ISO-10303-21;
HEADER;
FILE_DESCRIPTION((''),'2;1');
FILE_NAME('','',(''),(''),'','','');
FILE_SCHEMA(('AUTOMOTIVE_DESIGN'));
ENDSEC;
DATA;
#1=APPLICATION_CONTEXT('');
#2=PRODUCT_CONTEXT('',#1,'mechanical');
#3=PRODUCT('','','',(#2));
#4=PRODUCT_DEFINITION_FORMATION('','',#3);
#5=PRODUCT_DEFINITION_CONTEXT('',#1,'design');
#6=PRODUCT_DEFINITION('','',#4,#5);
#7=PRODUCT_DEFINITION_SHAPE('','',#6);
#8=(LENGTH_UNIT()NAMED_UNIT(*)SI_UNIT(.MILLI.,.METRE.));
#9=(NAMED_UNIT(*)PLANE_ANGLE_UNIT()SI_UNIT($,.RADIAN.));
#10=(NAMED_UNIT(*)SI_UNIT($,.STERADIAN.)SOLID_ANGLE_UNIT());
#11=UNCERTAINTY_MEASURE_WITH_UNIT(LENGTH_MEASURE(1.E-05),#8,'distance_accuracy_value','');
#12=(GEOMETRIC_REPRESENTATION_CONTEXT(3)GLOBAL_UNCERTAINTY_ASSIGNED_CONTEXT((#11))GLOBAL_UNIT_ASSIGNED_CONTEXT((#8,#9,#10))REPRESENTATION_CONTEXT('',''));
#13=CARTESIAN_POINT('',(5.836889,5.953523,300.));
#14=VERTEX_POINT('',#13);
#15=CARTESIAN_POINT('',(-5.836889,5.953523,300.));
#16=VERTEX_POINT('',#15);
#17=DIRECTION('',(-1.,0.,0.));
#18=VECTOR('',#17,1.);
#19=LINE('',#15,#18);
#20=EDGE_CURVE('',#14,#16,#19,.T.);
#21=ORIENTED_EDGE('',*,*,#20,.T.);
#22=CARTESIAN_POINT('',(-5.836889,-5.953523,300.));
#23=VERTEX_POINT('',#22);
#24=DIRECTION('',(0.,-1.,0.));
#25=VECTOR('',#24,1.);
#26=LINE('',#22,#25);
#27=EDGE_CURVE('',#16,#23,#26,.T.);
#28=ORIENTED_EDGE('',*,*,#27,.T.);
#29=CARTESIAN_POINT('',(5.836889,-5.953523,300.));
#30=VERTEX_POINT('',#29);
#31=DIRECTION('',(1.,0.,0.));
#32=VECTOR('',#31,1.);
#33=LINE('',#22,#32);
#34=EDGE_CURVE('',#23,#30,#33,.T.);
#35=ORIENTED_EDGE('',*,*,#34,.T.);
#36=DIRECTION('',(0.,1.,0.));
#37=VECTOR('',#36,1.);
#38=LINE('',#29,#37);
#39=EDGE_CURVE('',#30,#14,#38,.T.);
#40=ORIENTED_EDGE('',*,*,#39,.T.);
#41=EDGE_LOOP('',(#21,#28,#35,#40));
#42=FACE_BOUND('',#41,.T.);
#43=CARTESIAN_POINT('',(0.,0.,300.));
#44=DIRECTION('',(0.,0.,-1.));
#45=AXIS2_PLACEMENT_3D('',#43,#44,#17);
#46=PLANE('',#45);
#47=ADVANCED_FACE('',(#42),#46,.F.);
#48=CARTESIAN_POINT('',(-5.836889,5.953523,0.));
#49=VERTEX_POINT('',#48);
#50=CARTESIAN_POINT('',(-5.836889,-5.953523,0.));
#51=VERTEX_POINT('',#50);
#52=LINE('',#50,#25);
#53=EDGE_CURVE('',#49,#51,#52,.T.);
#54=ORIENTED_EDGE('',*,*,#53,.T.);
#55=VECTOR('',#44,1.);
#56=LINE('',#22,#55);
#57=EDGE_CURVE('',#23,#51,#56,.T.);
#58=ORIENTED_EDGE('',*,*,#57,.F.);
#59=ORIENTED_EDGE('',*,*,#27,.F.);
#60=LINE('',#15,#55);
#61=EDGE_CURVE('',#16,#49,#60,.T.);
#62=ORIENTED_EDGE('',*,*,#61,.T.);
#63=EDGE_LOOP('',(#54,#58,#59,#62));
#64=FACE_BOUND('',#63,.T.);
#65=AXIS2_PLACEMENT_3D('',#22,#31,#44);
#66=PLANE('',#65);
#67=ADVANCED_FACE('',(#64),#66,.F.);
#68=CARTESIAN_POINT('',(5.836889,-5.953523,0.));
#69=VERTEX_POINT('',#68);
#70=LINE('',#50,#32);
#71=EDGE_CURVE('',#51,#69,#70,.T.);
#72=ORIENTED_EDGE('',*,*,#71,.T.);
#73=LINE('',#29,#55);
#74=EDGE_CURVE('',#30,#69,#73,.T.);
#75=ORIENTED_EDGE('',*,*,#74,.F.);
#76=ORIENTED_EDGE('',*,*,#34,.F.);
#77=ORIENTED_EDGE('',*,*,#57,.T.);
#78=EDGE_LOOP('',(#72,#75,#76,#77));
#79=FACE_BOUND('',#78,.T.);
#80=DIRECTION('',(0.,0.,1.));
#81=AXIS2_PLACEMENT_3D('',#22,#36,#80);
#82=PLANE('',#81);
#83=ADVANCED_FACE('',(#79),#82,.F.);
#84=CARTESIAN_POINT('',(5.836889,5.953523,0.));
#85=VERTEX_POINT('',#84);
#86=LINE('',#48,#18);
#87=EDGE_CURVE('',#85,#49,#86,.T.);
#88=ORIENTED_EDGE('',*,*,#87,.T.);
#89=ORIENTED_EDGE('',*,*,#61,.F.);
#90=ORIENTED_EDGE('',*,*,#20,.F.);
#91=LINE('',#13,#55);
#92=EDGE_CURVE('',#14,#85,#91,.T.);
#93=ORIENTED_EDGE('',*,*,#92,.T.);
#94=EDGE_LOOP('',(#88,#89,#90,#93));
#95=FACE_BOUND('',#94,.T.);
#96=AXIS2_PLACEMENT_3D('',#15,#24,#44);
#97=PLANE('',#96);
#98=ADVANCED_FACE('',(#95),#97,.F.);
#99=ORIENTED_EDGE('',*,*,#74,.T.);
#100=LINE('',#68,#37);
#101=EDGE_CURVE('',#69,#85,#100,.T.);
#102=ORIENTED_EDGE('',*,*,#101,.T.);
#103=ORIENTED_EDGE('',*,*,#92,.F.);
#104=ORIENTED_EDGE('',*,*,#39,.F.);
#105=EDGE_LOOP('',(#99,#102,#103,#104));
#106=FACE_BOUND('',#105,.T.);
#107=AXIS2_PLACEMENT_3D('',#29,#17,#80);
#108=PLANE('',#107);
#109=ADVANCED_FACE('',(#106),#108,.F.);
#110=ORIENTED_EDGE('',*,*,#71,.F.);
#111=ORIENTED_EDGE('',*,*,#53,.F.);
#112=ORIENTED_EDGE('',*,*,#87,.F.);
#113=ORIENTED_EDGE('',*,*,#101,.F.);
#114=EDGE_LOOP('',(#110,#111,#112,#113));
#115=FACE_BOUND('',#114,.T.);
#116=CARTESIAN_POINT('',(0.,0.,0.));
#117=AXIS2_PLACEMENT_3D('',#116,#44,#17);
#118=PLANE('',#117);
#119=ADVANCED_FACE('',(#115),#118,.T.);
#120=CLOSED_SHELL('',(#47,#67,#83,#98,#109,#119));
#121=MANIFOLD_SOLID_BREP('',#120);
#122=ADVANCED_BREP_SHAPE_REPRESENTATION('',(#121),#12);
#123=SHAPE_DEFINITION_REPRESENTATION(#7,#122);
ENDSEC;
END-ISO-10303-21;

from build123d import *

# Parameters (mm, degrees)
SKETCH_1_W      = 11.67377789
SKETCH_1_H      = 11.907046198
EXTRUDE_1_DEPTH = 300


with BuildPart() as part:
    # 草图1 → 凸台-拉伸1 (new body)
    with BuildSketch(Plane.XY):
        Rectangle(SKETCH_1_W, SKETCH_1_H)
    extrude(amount=EXTRUDE_1_DEPTH)


solid = part.part
